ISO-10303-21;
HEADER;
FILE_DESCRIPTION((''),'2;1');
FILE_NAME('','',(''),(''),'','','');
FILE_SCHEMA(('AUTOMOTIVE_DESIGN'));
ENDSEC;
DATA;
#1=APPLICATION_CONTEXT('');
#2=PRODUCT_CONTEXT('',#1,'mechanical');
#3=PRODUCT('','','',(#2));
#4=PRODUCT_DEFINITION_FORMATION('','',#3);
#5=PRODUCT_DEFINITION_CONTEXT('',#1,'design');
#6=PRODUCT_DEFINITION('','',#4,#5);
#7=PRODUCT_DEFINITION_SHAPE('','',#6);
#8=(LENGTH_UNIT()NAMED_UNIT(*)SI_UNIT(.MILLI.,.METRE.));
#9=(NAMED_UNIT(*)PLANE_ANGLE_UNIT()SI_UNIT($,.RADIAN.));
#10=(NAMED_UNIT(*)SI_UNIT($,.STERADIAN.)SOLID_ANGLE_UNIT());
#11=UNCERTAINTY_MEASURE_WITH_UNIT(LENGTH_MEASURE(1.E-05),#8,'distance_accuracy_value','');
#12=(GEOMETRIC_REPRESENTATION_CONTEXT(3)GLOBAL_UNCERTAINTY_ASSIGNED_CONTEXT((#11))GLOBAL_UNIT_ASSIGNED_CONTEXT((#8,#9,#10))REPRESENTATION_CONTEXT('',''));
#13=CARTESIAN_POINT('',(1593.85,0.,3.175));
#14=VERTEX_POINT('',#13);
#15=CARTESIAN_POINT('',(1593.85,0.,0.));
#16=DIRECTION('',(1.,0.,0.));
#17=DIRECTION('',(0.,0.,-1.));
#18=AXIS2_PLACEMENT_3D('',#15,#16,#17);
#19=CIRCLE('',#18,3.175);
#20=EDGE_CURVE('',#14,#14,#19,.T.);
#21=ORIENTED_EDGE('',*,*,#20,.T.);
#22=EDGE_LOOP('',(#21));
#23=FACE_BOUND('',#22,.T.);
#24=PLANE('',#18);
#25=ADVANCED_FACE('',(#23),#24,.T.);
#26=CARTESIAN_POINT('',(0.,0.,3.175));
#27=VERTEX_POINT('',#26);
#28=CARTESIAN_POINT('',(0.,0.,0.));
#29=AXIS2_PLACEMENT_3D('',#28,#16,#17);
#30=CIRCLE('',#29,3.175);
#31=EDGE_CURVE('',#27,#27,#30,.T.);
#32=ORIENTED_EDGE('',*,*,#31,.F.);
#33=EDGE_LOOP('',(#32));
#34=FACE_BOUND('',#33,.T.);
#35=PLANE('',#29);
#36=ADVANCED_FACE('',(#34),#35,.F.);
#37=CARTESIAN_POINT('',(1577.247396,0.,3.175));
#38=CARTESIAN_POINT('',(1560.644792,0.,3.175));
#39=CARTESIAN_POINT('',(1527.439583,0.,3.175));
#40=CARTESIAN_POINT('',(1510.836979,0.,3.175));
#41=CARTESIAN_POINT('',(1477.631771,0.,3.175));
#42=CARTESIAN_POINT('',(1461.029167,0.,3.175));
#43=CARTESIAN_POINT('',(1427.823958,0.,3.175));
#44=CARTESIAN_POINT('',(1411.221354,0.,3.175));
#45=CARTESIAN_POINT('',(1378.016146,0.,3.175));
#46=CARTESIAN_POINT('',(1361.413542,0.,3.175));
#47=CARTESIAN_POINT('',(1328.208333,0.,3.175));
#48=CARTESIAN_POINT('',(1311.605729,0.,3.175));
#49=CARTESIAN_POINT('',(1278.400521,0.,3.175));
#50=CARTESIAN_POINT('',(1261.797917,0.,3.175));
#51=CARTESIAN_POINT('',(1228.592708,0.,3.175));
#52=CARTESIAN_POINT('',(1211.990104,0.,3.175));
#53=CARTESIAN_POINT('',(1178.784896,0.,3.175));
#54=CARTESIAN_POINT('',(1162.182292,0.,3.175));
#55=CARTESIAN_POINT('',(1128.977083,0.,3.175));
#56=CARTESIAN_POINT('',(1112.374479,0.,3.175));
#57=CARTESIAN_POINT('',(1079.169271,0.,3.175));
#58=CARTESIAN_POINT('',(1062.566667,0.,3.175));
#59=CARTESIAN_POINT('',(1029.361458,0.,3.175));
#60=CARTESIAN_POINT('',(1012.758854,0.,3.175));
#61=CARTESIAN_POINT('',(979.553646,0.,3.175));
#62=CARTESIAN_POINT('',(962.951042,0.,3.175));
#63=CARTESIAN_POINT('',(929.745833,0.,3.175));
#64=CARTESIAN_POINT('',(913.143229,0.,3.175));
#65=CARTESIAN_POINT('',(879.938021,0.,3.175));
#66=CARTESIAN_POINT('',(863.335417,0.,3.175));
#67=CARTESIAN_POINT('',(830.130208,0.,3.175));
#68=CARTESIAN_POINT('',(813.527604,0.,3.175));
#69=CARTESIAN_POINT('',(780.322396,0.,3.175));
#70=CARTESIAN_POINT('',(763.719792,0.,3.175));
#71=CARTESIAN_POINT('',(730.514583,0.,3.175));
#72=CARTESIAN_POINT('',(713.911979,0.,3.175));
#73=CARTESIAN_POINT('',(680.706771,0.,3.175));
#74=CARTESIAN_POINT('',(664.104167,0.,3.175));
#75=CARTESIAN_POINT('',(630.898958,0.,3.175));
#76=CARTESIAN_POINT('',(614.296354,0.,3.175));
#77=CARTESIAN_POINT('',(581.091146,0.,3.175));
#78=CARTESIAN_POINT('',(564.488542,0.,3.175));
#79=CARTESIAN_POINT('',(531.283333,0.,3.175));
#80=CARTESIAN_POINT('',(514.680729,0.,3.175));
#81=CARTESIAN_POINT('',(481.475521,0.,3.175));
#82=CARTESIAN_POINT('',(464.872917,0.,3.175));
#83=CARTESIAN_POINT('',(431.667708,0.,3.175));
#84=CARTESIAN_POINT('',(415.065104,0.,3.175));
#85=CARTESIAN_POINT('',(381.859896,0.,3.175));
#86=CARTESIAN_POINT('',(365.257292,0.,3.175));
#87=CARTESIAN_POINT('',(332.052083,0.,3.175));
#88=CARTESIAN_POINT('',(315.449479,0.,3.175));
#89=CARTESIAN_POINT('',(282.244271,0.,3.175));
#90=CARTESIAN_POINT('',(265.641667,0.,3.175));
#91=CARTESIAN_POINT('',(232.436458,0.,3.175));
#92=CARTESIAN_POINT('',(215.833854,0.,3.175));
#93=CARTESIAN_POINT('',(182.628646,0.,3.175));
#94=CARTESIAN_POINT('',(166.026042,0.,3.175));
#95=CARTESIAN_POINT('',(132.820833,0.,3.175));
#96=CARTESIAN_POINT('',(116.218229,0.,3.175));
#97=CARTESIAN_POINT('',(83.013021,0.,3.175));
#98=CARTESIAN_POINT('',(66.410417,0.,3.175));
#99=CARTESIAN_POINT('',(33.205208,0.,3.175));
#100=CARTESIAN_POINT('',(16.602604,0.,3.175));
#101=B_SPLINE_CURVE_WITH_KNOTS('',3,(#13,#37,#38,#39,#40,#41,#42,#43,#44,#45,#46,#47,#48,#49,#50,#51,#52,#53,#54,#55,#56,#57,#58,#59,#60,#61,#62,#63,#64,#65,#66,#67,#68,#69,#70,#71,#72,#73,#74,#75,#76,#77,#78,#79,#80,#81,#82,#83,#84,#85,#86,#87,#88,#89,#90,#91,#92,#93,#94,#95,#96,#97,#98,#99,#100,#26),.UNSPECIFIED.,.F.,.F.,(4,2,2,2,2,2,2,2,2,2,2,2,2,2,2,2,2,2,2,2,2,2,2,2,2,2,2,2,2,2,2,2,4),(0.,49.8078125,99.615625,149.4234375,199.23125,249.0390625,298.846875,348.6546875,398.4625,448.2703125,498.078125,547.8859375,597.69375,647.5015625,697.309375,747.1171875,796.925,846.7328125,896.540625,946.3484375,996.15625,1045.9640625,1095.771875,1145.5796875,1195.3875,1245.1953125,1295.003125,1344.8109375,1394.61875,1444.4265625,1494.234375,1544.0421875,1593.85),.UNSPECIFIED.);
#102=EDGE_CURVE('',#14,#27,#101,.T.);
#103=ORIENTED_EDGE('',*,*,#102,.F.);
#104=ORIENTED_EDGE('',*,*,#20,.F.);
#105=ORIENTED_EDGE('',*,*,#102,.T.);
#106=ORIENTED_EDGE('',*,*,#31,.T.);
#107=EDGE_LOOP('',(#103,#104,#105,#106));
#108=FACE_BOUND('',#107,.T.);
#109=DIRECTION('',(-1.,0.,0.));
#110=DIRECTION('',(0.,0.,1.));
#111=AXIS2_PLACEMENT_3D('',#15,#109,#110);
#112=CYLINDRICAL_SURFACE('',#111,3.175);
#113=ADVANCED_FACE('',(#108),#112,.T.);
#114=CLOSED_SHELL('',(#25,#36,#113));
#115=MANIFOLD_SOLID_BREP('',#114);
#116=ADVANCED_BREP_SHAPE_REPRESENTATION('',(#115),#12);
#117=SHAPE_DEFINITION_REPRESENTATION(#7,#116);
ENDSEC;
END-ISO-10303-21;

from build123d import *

# Parameters (mm, degrees)
SKETCH1_R           = 3.175
BOSS_EXTRUDE1_DEPTH = 1593.85


with BuildPart() as part:
    # Sketch1 → Boss-Extrude1 (new body)
    with BuildSketch(Plane(origin=(0, 0, 0), x_dir=(0, 0, -1), z_dir=(1, 0, 0))):
        with Locations(Location((0, 0, 0), (0, 0, 180))):
            Circle(SKETCH1_R)
    extrude(amount=BOSS_EXTRUDE1_DEPTH)


solid = part.part
